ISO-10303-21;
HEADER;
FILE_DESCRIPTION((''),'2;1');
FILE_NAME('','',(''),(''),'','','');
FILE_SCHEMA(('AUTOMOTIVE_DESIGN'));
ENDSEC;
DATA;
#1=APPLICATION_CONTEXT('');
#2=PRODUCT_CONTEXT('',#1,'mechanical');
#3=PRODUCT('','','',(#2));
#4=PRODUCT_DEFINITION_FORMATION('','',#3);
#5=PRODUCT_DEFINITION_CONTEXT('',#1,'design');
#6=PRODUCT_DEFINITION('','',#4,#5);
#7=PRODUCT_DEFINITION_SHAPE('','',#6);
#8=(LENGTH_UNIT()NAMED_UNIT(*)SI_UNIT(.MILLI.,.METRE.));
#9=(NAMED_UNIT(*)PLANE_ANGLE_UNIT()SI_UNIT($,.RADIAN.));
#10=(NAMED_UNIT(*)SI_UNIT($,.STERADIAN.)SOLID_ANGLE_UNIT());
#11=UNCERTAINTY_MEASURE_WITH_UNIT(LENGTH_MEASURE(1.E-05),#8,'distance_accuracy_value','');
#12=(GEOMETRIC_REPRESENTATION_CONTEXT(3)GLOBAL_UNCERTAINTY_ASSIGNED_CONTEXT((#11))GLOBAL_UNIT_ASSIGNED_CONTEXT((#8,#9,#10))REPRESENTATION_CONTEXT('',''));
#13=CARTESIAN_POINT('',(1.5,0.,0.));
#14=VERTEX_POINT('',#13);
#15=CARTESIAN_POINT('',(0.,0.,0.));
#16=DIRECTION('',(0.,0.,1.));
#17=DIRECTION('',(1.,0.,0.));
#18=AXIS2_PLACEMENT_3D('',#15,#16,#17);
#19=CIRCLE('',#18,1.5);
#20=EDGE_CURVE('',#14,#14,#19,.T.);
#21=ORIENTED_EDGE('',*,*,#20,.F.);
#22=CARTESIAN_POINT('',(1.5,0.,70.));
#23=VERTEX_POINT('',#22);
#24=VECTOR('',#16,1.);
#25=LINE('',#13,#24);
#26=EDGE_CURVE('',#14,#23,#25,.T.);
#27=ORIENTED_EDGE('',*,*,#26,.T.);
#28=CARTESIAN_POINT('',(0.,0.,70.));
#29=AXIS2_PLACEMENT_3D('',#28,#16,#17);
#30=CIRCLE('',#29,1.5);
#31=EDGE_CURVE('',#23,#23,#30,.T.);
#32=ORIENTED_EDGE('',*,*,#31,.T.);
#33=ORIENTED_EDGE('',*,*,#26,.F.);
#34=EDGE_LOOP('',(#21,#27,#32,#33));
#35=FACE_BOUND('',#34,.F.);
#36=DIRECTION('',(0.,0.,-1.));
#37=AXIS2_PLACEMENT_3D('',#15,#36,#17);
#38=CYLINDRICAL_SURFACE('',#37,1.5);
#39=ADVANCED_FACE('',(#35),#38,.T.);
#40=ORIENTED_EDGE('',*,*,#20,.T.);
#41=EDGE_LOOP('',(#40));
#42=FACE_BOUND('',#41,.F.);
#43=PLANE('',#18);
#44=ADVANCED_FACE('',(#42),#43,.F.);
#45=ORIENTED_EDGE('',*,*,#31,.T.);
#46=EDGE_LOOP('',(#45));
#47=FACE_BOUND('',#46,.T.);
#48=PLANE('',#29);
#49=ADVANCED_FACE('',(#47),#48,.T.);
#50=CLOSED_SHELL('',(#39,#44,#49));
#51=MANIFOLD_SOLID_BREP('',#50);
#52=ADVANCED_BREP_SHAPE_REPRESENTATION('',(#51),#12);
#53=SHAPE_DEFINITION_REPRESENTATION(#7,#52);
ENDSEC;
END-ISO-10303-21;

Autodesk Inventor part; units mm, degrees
ref_plane "YZ Plane" through (0, 0, 0) normal (1, 0, 0) x (0, 1, 0)
ref_plane "XZ Plane" through (0, 0, 0) normal (0, 1, 0) x (-1, 0, 0)
ref_plane "XY Plane" through (0, 0, 0) normal (0, 0, 1) x (1, 0, 0)
sketch "スケッチ1" plane through (0, 0, 0) normal (0, 0, 1) x (1, 0, 0)
  circle A0 centre (0, 0) radius 1.5
  dimension "d0" = 3
extrude "押し出し1" add sketch "スケッチ1" along normal blind 70
properties part number "Shaft" material "ステンレス鋼 AISI 440C、溶接"
